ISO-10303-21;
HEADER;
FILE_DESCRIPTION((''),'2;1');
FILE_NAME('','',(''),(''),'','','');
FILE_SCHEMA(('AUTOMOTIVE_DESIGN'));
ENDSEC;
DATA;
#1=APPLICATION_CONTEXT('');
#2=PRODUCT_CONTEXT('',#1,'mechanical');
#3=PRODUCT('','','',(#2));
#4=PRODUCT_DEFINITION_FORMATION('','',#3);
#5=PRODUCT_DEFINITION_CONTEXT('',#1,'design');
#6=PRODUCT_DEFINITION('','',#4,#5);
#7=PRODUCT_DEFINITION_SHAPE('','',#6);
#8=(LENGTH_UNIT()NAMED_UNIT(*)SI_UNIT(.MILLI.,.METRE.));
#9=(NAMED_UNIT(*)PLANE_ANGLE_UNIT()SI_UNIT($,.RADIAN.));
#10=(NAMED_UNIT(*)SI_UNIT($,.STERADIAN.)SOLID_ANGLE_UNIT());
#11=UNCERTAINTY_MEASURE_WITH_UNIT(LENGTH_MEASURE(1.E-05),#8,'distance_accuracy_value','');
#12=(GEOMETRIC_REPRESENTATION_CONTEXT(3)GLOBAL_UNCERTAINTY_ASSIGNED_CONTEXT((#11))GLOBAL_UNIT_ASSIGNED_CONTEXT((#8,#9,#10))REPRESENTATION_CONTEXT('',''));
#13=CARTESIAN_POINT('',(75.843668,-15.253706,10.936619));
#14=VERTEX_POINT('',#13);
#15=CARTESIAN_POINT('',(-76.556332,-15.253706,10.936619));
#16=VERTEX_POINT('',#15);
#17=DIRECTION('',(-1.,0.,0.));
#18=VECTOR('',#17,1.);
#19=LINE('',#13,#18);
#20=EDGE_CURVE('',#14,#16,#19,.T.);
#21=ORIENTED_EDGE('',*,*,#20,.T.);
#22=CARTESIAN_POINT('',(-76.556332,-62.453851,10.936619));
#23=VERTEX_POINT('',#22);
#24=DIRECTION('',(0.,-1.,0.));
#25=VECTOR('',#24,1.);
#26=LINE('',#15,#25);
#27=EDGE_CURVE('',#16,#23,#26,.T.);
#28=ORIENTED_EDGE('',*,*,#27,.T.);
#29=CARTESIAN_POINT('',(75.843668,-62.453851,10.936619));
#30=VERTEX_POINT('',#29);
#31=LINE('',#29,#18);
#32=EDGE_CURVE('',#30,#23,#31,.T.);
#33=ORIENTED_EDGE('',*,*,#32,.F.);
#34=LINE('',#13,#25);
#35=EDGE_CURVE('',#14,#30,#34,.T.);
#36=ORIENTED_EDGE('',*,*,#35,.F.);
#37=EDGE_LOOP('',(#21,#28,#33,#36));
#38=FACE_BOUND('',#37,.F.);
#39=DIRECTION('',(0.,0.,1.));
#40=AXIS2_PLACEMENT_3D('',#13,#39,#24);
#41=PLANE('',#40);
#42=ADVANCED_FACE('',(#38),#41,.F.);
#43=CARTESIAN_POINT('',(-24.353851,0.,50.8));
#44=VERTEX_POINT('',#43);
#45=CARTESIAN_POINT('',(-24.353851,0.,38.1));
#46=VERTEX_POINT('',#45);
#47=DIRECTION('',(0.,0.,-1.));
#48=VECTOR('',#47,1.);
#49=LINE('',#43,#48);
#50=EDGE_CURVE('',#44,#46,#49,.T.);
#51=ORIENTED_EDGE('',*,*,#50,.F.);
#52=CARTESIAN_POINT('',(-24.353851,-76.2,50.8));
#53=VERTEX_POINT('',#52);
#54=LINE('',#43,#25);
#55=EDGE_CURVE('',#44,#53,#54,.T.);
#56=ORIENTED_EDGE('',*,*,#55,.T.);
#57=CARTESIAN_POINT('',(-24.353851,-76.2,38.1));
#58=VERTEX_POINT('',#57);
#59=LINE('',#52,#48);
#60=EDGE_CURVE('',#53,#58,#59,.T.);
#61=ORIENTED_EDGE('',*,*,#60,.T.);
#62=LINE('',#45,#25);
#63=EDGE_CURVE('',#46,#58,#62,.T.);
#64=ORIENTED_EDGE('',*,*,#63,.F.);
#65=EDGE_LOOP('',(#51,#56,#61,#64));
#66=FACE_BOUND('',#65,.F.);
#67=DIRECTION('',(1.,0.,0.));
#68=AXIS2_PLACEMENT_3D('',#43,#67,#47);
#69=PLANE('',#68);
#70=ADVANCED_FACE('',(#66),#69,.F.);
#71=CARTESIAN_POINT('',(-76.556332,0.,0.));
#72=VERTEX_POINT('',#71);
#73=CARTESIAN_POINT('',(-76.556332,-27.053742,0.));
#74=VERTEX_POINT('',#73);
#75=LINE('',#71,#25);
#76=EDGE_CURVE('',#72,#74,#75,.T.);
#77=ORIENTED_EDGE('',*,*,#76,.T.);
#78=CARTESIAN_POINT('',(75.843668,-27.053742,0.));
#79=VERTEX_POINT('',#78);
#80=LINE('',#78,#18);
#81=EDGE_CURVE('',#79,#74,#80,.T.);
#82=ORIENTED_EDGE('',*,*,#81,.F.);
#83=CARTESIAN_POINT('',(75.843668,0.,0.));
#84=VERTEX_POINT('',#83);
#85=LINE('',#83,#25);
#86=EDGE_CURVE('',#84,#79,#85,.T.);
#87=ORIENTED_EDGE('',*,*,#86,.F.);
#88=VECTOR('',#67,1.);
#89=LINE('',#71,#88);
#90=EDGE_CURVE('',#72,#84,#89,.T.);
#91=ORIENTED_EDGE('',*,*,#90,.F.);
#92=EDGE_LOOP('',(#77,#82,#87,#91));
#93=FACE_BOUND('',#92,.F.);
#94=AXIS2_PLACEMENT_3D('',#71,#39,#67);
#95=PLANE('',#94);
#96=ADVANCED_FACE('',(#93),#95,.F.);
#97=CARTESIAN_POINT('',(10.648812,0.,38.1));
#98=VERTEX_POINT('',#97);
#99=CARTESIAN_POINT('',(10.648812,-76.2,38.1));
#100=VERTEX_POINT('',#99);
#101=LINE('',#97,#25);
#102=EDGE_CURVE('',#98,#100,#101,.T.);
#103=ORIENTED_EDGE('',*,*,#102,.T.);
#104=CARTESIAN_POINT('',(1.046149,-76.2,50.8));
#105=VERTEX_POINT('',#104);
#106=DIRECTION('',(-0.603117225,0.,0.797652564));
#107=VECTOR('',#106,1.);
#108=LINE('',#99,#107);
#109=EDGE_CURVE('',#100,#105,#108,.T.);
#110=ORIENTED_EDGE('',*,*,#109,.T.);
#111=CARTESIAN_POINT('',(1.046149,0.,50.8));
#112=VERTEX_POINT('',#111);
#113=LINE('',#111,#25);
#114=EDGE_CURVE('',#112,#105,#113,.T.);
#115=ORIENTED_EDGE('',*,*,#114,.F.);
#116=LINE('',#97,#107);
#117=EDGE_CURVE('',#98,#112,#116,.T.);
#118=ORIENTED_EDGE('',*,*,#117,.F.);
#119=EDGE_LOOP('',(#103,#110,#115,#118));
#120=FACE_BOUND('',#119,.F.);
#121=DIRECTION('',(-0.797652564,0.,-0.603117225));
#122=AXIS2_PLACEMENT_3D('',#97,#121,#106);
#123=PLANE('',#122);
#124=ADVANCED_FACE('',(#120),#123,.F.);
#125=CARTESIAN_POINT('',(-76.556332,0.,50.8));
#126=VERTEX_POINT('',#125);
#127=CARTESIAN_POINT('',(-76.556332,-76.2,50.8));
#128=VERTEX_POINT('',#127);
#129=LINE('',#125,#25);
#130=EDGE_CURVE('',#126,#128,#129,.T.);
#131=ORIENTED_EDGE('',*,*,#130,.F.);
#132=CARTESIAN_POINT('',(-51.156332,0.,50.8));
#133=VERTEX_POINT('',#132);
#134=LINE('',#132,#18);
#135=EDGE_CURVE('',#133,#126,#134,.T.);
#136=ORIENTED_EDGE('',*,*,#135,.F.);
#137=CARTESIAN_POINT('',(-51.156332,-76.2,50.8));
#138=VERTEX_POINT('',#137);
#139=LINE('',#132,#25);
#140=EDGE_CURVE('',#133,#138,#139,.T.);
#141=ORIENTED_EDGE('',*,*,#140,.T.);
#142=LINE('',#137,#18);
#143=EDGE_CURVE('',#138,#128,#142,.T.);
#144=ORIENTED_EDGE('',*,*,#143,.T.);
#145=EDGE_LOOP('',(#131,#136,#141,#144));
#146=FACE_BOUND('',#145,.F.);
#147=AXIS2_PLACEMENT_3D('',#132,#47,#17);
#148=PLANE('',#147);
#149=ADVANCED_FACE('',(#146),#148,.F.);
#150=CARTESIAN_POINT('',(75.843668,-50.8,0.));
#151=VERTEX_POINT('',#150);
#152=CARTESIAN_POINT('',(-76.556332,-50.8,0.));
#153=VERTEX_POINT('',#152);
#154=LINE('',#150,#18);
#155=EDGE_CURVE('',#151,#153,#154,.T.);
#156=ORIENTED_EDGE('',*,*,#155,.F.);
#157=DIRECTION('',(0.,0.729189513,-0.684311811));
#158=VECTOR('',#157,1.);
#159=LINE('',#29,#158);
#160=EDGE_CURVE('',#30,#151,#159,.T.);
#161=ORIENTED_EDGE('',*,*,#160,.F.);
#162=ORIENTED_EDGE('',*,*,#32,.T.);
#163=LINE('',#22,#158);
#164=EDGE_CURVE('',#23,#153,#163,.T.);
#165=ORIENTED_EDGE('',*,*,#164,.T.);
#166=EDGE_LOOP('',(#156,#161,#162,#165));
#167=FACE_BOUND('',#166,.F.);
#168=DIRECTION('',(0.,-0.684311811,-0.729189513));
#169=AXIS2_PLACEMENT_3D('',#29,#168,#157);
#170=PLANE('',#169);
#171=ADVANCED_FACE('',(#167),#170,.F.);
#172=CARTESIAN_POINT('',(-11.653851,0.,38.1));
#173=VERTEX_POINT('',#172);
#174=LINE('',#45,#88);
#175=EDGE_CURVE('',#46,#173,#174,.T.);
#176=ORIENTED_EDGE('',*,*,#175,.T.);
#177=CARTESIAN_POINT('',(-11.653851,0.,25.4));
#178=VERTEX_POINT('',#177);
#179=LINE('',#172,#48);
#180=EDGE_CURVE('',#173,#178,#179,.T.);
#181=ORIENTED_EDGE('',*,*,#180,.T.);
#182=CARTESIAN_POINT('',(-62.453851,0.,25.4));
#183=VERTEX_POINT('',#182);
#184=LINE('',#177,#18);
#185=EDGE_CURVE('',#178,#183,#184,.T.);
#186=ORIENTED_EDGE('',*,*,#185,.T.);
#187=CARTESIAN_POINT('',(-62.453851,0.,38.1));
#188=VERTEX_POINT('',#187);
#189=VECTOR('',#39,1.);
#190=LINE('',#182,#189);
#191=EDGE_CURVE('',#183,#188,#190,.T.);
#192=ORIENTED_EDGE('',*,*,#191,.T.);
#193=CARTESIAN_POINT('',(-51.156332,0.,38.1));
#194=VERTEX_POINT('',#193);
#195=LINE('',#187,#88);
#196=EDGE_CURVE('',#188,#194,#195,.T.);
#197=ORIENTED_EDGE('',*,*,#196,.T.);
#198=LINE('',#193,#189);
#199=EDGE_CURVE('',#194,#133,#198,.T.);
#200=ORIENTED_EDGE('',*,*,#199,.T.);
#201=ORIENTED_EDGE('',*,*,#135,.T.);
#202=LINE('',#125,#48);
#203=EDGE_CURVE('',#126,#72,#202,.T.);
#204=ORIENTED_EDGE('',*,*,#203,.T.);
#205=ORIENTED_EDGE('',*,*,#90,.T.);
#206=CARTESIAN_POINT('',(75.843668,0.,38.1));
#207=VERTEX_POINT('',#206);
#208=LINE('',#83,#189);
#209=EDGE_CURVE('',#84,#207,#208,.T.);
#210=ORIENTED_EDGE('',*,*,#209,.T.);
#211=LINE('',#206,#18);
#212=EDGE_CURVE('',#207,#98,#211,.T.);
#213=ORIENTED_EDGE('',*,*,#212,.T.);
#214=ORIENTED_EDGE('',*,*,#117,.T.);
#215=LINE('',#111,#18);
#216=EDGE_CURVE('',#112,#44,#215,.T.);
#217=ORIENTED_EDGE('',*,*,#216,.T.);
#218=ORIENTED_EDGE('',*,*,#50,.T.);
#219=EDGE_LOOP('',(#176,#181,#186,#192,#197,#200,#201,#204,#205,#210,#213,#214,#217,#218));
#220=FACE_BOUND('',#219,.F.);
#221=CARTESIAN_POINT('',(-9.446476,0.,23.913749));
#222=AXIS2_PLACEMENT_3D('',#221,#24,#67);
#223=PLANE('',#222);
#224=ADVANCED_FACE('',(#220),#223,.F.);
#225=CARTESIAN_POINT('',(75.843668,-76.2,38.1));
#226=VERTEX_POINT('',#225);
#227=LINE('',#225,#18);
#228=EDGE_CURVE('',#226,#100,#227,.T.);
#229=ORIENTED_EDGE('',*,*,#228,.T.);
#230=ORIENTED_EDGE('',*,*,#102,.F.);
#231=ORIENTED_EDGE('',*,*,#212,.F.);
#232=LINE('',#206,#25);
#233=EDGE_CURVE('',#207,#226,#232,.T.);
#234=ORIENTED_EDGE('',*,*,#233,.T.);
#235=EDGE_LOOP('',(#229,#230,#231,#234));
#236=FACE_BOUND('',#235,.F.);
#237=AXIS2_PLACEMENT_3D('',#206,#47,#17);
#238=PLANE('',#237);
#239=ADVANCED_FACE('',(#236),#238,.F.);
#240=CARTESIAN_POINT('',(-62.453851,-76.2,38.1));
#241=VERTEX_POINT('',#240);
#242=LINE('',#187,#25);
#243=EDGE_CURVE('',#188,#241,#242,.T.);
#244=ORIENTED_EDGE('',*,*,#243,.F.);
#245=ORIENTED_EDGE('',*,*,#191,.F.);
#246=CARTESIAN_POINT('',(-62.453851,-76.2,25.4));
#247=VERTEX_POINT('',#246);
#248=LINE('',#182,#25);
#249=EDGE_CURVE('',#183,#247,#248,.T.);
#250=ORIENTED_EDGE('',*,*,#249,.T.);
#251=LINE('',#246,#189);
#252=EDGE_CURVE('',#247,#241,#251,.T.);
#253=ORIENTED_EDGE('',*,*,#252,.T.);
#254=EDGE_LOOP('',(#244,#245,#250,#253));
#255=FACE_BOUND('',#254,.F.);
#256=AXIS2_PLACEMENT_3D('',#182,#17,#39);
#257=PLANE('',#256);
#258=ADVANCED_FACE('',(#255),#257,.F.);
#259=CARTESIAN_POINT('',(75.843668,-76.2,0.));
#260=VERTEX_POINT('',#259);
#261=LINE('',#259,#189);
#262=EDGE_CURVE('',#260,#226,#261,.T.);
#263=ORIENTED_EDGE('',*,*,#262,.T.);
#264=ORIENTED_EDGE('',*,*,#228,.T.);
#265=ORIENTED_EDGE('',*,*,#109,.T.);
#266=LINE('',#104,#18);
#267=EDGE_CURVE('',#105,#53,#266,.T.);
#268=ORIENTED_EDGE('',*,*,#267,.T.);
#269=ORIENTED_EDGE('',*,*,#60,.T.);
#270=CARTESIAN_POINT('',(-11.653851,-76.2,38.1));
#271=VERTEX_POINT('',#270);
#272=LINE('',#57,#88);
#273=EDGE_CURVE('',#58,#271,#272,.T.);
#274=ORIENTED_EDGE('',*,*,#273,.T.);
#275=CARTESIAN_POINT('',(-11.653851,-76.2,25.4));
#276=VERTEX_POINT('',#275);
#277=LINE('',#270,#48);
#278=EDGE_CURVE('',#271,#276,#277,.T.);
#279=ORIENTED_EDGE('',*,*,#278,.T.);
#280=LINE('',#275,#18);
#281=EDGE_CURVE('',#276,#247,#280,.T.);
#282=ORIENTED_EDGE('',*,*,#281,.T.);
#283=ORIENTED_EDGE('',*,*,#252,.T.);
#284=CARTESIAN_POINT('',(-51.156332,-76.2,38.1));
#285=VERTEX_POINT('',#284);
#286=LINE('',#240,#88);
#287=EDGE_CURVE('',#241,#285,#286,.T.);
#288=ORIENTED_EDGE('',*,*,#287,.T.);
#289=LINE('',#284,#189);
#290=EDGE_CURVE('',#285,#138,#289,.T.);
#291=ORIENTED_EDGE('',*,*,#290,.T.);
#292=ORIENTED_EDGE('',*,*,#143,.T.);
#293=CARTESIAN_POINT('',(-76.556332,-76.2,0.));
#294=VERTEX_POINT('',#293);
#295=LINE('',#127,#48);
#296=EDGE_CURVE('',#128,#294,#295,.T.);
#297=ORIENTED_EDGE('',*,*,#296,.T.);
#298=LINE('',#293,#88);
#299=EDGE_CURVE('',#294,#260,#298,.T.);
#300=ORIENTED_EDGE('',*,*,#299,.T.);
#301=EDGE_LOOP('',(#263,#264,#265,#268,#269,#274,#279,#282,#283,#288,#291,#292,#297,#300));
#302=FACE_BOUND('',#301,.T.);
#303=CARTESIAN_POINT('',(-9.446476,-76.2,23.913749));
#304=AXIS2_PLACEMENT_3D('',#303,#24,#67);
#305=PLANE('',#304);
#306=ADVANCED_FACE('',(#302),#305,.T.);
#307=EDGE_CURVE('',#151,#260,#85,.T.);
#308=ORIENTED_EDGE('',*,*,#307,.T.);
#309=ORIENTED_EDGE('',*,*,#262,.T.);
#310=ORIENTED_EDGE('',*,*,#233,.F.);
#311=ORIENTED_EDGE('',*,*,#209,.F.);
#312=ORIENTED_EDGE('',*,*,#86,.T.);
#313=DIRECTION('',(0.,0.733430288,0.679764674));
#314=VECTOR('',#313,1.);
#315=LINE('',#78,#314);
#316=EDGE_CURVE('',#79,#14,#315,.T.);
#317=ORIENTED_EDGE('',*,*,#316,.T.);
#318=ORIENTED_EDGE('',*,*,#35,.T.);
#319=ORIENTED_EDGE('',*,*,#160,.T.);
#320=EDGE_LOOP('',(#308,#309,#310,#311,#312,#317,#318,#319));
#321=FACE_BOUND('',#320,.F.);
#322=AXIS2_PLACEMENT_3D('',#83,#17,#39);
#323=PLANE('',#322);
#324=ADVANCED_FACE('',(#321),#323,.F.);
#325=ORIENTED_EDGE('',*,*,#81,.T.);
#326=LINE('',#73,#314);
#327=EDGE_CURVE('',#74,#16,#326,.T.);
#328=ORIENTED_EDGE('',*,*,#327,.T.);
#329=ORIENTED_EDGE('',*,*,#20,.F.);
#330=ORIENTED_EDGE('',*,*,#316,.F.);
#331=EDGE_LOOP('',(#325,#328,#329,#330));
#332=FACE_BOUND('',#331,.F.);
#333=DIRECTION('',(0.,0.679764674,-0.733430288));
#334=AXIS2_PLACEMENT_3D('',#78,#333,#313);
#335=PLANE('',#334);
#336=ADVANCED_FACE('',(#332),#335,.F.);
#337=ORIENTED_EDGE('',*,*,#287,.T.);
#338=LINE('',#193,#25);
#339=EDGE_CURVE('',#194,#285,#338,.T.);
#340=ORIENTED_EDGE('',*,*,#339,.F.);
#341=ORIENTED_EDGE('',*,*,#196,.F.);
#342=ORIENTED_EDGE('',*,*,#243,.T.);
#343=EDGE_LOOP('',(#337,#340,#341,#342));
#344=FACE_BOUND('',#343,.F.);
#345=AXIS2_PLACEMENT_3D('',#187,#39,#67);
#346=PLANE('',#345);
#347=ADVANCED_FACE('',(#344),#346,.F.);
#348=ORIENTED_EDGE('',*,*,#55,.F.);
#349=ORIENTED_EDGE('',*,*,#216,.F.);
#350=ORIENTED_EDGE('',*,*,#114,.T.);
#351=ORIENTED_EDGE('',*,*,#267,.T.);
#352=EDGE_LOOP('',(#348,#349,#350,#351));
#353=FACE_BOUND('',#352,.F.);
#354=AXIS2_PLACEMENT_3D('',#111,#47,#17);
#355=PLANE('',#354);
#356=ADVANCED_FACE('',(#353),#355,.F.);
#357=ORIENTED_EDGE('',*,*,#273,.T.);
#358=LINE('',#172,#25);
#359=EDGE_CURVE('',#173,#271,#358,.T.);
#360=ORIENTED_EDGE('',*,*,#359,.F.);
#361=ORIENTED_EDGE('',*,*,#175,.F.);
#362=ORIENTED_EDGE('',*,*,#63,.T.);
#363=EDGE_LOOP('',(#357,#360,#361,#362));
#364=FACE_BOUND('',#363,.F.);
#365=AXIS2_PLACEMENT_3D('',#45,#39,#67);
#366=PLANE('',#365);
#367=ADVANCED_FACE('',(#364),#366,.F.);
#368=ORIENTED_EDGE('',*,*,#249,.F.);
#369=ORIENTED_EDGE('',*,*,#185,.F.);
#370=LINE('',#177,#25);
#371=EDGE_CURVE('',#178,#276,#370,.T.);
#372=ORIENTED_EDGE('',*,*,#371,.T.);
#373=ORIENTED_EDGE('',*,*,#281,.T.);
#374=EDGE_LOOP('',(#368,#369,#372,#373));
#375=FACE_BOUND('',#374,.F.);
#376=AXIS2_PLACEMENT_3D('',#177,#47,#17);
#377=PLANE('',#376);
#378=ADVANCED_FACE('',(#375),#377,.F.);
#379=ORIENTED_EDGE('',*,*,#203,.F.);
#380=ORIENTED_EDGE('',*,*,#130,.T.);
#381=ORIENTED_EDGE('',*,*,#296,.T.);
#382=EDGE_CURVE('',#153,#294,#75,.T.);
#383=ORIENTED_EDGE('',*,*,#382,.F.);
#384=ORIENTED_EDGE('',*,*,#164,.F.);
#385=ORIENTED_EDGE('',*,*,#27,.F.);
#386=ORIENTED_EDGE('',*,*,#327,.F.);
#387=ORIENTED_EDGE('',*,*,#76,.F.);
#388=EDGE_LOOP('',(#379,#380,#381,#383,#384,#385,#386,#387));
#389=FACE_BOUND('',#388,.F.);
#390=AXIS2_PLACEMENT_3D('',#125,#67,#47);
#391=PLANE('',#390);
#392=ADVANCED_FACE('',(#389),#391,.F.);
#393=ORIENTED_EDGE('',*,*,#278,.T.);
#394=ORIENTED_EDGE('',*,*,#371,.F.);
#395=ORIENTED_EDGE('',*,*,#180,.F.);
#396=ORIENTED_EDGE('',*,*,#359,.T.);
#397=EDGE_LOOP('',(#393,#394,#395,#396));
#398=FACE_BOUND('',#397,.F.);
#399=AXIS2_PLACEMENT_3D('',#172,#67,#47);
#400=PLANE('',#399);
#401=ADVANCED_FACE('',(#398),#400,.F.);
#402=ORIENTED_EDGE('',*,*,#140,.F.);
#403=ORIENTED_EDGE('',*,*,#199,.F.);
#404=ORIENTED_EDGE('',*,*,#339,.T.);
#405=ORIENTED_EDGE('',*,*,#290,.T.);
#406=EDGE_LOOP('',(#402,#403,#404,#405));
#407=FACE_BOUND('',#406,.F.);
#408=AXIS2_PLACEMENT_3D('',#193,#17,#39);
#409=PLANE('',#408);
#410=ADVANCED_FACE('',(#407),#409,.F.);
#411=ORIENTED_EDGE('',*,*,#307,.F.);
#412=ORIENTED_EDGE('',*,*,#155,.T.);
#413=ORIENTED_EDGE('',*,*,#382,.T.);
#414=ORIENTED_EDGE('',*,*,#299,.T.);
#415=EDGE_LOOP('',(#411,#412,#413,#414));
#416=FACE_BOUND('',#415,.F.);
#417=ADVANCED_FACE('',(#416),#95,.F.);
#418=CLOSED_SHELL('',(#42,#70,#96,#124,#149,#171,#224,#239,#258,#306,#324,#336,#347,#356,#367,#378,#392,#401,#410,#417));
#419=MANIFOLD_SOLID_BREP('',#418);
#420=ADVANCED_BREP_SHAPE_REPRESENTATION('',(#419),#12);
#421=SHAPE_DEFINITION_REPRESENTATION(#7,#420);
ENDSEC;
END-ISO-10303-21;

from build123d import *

# Parameters (mm, degrees)
F1_DEPTH = 76.2
F3_DEPTH = 152.4


with BuildPart() as f1:
    # F0 (on Front) → F1 (new body)
    with BuildSketch(Plane.XZ):
        Polygon((-76.556332, 50.8), (-76.556332, 0), (75.843668, 0), (75.843668, 38.1), (39.717197, 38.1), (10.648812, 38.1), (1.046149, 50.8), (-24.353851, 50.8), (-24.353851, 38.1), (-11.653851, 38.1), (-11.653851, 25.4), (-62.453851, 25.4), (-62.453851, 38.1), (-51.156332, 38.1), (-51.156332, 50.8), align=None)
    extrude(amount=F1_DEPTH)

    # F2 (on face) → F3 (cut, through all)
    with BuildSketch(Plane.YZ.offset(75.843668)):
        Polygon((-62.453851, 10.936619), (-50.8, 0), (-27.053742, 0), (-15.253706, 10.936619), align=None)
    extrude(amount=-F3_DEPTH, mode=Mode.SUBTRACT)


solid = f1.part
